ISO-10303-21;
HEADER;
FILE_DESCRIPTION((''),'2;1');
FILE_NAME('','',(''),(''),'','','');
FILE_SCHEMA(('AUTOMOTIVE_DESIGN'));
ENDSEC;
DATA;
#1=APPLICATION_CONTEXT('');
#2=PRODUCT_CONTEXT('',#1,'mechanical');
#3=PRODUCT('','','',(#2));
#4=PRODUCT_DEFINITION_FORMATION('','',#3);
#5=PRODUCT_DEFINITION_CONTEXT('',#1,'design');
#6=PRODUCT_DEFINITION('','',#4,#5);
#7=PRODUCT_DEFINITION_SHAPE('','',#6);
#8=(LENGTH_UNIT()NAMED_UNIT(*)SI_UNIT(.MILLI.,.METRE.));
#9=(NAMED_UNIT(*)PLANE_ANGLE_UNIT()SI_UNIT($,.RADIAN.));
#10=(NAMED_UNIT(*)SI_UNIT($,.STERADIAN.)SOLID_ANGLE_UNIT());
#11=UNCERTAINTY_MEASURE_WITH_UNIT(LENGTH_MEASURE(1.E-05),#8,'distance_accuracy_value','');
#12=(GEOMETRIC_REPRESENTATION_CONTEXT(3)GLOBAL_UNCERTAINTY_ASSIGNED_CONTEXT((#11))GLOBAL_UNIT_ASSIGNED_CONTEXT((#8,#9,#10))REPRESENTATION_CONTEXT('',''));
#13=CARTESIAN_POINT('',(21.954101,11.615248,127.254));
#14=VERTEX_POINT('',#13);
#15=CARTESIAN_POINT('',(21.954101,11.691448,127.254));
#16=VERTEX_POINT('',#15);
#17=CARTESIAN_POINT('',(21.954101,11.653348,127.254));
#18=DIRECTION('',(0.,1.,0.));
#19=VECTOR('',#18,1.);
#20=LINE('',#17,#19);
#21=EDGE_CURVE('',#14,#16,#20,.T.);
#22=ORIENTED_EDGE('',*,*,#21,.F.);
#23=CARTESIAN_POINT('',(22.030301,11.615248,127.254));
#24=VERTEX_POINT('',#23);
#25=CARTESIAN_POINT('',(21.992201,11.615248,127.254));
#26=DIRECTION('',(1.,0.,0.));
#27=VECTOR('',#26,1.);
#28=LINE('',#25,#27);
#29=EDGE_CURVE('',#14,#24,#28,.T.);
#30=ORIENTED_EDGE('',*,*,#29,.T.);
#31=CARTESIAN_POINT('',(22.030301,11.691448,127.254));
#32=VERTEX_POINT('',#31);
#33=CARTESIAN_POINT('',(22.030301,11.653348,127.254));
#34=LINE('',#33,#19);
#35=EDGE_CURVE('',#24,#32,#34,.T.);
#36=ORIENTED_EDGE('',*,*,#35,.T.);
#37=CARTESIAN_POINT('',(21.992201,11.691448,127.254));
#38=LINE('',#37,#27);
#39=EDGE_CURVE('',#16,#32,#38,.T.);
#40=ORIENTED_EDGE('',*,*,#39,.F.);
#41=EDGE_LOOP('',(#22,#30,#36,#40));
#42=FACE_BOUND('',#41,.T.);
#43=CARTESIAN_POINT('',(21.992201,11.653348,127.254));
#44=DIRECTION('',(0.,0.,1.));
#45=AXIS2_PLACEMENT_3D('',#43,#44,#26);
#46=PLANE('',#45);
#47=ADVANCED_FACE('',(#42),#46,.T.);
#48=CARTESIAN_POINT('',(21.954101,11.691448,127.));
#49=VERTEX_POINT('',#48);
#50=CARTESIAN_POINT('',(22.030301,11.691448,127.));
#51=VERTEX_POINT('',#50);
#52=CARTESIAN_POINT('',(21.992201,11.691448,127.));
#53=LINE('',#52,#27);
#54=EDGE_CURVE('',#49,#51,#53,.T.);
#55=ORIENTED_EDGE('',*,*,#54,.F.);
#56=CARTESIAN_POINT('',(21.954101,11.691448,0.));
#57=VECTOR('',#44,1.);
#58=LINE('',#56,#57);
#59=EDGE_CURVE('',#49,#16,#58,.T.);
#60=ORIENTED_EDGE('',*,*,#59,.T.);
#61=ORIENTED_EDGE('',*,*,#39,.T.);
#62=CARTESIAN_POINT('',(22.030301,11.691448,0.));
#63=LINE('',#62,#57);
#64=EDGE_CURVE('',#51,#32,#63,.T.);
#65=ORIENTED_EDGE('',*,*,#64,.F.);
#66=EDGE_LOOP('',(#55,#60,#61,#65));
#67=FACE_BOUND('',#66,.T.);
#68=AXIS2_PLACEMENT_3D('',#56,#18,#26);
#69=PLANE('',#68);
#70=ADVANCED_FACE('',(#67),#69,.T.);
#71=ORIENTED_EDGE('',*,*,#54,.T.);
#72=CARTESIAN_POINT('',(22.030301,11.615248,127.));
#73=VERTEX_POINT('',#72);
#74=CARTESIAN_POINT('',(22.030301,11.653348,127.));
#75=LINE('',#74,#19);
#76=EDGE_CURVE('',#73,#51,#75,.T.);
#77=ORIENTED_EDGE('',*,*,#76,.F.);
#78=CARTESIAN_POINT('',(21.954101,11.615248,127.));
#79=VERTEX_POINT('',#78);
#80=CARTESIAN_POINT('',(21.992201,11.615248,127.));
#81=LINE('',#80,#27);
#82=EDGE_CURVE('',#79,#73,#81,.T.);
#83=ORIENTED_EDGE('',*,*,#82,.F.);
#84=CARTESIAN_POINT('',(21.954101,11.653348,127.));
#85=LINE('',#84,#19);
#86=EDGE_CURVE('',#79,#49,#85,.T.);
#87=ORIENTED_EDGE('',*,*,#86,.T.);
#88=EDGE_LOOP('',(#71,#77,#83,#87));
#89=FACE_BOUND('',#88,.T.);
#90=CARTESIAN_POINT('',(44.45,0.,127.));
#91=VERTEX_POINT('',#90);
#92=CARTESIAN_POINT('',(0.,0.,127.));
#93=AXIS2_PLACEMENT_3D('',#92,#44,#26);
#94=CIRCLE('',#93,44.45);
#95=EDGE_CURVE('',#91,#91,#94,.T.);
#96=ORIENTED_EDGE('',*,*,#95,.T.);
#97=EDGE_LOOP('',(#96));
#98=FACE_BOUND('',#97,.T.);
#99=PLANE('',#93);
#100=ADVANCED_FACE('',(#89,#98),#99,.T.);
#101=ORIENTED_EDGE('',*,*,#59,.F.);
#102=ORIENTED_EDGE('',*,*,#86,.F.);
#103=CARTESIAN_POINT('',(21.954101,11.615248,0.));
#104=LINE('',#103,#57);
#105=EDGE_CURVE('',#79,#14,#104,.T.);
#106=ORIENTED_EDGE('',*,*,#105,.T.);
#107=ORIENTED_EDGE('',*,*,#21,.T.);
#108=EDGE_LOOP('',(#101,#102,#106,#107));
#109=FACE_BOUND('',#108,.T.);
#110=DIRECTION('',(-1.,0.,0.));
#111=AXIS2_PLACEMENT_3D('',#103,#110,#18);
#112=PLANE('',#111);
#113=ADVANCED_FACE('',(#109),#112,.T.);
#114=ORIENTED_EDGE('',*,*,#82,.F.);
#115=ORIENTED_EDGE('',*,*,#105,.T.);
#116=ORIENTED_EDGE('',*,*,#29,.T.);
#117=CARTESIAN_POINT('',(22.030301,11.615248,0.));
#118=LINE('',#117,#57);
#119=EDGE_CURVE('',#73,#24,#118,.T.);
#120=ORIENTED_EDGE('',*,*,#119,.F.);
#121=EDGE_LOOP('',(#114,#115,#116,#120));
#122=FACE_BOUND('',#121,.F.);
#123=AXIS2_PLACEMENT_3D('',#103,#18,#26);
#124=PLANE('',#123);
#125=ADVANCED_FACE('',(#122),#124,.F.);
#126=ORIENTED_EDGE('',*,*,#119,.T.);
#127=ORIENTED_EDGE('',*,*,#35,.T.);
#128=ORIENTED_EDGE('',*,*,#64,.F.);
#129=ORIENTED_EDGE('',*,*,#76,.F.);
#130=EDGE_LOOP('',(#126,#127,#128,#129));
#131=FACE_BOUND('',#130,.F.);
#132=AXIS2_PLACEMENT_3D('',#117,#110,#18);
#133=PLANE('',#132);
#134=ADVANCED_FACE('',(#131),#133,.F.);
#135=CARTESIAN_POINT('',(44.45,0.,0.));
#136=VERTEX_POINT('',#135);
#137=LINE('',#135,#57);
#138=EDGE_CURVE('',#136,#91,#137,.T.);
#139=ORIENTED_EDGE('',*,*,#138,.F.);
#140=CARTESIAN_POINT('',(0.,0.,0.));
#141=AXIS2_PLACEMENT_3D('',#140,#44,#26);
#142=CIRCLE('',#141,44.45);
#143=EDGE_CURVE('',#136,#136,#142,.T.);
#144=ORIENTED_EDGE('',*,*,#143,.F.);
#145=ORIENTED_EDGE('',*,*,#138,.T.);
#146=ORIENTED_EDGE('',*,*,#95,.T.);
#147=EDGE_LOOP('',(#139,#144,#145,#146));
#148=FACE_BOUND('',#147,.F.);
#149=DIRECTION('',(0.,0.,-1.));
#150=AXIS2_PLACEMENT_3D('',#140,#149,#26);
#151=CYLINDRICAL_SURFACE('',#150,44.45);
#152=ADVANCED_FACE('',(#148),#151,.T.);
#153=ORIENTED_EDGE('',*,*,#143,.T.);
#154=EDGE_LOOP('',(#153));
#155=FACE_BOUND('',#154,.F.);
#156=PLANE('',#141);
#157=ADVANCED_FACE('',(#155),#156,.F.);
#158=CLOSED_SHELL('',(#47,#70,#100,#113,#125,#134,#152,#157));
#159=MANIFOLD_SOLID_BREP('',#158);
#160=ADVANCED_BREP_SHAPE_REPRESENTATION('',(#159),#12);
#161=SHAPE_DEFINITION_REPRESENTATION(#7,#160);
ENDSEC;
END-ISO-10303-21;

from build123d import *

# Parameters (mm, degrees)
F0_R     = 44.45
F0_W     = 0.0762
F0_H     = 0.0762
F1_DEPTH = 127
F2_DEPTH = 127.254


with BuildPart() as f1:
    # F0 (on Top) → F1 (new body)
    with BuildSketch(Plane.XY):
        Circle(F0_R)
        with Locations((21.992200579, 11.653348397)):
            Rectangle(F0_W, F0_H, mode=Mode.SUBTRACT)
    extrude(amount=F1_DEPTH)

    # F0 (on Top) → F2 (join)
    with BuildSketch(Plane.XY):
        with Locations((21.992200579, 11.653348397)):
            Rectangle(F0_W, F0_H)
    extrude(amount=F2_DEPTH)


solid = f1.part
